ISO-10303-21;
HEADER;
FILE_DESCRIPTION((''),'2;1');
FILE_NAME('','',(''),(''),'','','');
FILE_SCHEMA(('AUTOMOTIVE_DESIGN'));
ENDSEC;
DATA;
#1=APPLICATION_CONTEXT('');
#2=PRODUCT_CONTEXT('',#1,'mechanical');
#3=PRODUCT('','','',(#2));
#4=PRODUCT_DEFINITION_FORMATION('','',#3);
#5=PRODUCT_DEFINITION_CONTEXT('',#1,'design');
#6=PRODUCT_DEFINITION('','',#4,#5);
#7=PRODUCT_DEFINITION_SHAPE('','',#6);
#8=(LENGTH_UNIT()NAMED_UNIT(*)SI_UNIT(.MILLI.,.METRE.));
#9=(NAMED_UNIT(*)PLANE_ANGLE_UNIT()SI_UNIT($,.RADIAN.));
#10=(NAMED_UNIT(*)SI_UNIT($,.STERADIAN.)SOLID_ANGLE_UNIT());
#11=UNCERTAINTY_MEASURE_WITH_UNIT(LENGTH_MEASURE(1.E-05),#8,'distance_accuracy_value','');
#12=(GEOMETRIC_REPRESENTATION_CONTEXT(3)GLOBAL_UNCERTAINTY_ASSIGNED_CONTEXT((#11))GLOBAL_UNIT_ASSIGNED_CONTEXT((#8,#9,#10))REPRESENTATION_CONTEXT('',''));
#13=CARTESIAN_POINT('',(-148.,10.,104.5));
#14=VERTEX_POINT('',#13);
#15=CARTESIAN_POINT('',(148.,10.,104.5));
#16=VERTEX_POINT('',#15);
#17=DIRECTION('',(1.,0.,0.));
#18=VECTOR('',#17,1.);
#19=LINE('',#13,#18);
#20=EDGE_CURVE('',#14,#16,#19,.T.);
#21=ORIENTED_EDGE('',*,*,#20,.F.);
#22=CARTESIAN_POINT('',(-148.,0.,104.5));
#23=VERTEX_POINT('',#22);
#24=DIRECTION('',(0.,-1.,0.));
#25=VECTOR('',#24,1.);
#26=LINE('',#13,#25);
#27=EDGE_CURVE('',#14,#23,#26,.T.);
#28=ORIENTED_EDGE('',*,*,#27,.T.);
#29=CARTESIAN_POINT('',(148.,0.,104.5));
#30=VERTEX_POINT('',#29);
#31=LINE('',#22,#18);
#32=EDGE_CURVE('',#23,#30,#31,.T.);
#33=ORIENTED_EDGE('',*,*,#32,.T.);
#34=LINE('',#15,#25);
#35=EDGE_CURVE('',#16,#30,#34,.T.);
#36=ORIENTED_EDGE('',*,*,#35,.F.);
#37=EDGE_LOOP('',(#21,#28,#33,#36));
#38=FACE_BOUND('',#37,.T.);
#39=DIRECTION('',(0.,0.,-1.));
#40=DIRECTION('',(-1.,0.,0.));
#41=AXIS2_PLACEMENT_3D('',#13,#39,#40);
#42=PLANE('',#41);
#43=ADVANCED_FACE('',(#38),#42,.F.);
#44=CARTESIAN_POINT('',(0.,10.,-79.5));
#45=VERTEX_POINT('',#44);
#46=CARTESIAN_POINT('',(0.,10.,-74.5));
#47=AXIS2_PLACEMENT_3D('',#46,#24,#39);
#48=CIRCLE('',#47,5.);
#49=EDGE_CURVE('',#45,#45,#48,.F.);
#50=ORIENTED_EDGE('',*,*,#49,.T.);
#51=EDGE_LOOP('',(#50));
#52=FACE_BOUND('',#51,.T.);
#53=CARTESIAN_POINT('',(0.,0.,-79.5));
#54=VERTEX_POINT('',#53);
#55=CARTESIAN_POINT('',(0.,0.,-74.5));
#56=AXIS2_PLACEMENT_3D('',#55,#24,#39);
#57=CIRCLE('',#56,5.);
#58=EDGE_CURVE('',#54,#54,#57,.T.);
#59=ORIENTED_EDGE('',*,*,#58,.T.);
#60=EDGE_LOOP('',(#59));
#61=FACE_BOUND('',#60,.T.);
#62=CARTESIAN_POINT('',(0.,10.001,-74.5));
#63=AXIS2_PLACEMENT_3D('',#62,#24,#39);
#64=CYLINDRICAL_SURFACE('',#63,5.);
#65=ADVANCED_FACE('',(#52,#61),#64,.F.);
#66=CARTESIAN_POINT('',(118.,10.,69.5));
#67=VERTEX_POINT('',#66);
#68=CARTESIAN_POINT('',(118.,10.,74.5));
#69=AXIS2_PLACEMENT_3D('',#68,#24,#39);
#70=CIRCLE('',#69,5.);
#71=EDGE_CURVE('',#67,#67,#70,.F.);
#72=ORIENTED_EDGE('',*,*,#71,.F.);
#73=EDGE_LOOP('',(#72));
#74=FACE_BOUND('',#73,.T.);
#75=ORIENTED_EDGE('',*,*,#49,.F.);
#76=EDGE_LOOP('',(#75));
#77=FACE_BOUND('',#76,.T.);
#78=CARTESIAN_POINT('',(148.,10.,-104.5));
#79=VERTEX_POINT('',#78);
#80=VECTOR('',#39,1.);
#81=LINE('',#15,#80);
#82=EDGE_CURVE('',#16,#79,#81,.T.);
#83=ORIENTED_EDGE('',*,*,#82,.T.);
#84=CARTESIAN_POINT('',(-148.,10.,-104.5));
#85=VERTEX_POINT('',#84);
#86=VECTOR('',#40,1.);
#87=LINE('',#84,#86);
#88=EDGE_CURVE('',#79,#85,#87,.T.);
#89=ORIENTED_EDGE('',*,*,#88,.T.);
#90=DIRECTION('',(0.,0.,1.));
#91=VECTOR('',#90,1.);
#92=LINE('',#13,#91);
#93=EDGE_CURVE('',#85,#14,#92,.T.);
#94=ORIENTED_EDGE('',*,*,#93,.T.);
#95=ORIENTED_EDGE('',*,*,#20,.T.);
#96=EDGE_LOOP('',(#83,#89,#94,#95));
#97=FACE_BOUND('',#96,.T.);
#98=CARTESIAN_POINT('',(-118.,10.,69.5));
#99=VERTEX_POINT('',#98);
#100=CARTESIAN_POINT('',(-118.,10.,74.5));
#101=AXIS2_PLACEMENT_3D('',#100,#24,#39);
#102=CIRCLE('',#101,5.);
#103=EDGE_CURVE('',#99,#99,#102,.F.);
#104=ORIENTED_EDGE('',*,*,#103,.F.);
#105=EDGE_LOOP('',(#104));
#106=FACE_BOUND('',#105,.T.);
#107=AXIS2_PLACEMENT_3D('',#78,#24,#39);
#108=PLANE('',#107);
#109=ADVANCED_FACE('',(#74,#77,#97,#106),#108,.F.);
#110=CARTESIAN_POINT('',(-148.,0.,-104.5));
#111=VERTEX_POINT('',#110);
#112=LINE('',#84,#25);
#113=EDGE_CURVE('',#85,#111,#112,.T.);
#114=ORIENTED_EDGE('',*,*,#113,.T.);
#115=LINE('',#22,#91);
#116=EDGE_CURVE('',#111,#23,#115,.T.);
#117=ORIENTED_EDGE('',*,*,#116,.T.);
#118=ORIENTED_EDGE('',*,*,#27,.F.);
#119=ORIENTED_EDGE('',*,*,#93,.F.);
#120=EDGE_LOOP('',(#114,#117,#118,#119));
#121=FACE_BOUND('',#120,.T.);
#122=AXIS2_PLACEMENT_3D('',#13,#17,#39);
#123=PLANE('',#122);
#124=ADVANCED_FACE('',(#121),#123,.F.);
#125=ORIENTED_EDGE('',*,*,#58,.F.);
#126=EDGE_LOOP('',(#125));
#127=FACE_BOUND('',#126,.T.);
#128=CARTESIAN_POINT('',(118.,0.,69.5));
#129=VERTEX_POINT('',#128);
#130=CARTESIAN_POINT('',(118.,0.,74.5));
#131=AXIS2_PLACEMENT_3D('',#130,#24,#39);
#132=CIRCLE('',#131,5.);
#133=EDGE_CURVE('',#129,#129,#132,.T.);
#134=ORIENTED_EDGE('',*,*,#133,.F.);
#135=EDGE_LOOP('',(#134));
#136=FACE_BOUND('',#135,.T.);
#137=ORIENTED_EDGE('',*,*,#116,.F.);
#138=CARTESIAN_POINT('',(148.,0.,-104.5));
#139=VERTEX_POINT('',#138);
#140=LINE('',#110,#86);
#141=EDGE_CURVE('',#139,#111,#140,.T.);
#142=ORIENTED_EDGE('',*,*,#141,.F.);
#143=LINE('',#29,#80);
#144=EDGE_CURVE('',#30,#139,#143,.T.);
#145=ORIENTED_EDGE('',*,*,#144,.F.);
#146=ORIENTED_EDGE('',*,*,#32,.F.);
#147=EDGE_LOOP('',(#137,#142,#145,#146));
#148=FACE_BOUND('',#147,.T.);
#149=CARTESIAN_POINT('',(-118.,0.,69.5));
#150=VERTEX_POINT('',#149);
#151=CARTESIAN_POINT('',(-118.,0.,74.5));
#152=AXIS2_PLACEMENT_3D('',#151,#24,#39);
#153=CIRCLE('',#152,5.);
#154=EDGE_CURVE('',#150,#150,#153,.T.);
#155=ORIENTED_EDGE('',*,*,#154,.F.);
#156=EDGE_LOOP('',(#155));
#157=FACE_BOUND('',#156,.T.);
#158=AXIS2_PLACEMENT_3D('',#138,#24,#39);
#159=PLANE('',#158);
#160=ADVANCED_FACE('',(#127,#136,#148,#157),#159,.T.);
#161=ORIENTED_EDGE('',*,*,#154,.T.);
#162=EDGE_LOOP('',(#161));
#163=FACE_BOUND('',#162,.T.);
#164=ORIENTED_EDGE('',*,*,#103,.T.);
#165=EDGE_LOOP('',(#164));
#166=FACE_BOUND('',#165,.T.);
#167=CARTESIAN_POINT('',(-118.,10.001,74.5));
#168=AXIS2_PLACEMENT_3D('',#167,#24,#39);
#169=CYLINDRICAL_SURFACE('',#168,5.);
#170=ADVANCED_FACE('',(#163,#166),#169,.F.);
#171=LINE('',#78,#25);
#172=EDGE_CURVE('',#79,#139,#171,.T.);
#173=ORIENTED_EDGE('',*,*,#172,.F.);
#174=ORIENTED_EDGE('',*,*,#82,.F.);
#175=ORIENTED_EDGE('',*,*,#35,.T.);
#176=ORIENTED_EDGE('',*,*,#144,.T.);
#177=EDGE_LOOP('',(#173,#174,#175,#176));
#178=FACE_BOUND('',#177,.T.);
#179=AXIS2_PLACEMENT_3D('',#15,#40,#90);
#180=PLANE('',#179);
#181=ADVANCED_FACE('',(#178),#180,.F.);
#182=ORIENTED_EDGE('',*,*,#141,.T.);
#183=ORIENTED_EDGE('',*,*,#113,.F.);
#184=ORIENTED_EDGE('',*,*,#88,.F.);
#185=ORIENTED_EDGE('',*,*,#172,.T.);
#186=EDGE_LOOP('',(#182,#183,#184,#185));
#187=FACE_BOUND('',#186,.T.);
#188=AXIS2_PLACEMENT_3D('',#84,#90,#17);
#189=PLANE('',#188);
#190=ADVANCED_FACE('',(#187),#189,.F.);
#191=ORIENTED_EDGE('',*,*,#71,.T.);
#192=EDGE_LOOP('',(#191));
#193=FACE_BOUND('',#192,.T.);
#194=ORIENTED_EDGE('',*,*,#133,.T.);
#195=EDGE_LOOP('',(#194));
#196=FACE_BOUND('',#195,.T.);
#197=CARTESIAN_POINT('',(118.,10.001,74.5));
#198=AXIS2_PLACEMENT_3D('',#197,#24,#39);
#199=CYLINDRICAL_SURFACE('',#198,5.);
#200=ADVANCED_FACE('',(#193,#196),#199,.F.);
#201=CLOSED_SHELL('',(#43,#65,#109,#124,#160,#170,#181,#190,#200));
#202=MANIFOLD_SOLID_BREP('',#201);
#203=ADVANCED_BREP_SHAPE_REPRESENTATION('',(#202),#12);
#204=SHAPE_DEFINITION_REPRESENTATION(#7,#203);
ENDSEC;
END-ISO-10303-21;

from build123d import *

# Parameters (mm, degrees)
SKETCH1_W          = 296
SKETCH1_H          = 209
EXTRUDE1_DEPTH     = 10
CUT_EXTRUDE1_REACH = 183.45
SKETCH2_R          = 5


with BuildPart() as part:
    # Sketch1 → Extrude1 (new body)
    with BuildSketch(Plane(origin=(0, 0, 0), x_dir=(1, 0, 0), z_dir=(0, 1, 0))):
        Rectangle(SKETCH1_W, SKETCH1_H)
    extrude(amount=EXTRUDE1_DEPTH)

    # Sketch2 → Cut-Extrude1 (cut, up to next)
    with BuildSketch(Plane.XZ, mode=Mode.PRIVATE) as cut_extrude1_sk1:
        with Locations(Location((-118, 74.5, 0), (0, 0, 270))):
            Circle(SKETCH2_R)
    cut_extrude1_tool1 = extrude(cut_extrude1_sk1.sketch, amount=-CUT_EXTRUDE1_REACH, mode=Mode.PRIVATE) & part.part
    # Sketch2 → Cut-Extrude1 (cut, up to next)
    with BuildSketch(Plane.XZ, mode=Mode.PRIVATE) as cut_extrude1_sk2:
        with Locations(Location((118, 74.5, 0), (0, 0, 270))):
            Circle(SKETCH2_R)
    cut_extrude1_tool2 = extrude(cut_extrude1_sk2.sketch, amount=-CUT_EXTRUDE1_REACH, mode=Mode.PRIVATE) & part.part
    # Sketch2 → Cut-Extrude1 (cut, up to next)
    with BuildSketch(Plane.XZ, mode=Mode.PRIVATE) as cut_extrude1_sk3:
        with Locations(Location((0, -74.5, 0), (0, 0, 270))):
            Circle(SKETCH2_R)
    cut_extrude1_tool3 = extrude(cut_extrude1_sk3.sketch, amount=-CUT_EXTRUDE1_REACH, mode=Mode.PRIVATE) & part.part
    add(cut_extrude1_tool1.solids().sort_by_distance((-118, 0, 74.5))[0], mode=Mode.SUBTRACT)
    add(cut_extrude1_tool2.solids().sort_by_distance((118, 0, 74.5))[0], mode=Mode.SUBTRACT)
    add(cut_extrude1_tool3.solids().sort_by_distance((0, 0, -74.5))[0], mode=Mode.SUBTRACT)


solid = part.part
